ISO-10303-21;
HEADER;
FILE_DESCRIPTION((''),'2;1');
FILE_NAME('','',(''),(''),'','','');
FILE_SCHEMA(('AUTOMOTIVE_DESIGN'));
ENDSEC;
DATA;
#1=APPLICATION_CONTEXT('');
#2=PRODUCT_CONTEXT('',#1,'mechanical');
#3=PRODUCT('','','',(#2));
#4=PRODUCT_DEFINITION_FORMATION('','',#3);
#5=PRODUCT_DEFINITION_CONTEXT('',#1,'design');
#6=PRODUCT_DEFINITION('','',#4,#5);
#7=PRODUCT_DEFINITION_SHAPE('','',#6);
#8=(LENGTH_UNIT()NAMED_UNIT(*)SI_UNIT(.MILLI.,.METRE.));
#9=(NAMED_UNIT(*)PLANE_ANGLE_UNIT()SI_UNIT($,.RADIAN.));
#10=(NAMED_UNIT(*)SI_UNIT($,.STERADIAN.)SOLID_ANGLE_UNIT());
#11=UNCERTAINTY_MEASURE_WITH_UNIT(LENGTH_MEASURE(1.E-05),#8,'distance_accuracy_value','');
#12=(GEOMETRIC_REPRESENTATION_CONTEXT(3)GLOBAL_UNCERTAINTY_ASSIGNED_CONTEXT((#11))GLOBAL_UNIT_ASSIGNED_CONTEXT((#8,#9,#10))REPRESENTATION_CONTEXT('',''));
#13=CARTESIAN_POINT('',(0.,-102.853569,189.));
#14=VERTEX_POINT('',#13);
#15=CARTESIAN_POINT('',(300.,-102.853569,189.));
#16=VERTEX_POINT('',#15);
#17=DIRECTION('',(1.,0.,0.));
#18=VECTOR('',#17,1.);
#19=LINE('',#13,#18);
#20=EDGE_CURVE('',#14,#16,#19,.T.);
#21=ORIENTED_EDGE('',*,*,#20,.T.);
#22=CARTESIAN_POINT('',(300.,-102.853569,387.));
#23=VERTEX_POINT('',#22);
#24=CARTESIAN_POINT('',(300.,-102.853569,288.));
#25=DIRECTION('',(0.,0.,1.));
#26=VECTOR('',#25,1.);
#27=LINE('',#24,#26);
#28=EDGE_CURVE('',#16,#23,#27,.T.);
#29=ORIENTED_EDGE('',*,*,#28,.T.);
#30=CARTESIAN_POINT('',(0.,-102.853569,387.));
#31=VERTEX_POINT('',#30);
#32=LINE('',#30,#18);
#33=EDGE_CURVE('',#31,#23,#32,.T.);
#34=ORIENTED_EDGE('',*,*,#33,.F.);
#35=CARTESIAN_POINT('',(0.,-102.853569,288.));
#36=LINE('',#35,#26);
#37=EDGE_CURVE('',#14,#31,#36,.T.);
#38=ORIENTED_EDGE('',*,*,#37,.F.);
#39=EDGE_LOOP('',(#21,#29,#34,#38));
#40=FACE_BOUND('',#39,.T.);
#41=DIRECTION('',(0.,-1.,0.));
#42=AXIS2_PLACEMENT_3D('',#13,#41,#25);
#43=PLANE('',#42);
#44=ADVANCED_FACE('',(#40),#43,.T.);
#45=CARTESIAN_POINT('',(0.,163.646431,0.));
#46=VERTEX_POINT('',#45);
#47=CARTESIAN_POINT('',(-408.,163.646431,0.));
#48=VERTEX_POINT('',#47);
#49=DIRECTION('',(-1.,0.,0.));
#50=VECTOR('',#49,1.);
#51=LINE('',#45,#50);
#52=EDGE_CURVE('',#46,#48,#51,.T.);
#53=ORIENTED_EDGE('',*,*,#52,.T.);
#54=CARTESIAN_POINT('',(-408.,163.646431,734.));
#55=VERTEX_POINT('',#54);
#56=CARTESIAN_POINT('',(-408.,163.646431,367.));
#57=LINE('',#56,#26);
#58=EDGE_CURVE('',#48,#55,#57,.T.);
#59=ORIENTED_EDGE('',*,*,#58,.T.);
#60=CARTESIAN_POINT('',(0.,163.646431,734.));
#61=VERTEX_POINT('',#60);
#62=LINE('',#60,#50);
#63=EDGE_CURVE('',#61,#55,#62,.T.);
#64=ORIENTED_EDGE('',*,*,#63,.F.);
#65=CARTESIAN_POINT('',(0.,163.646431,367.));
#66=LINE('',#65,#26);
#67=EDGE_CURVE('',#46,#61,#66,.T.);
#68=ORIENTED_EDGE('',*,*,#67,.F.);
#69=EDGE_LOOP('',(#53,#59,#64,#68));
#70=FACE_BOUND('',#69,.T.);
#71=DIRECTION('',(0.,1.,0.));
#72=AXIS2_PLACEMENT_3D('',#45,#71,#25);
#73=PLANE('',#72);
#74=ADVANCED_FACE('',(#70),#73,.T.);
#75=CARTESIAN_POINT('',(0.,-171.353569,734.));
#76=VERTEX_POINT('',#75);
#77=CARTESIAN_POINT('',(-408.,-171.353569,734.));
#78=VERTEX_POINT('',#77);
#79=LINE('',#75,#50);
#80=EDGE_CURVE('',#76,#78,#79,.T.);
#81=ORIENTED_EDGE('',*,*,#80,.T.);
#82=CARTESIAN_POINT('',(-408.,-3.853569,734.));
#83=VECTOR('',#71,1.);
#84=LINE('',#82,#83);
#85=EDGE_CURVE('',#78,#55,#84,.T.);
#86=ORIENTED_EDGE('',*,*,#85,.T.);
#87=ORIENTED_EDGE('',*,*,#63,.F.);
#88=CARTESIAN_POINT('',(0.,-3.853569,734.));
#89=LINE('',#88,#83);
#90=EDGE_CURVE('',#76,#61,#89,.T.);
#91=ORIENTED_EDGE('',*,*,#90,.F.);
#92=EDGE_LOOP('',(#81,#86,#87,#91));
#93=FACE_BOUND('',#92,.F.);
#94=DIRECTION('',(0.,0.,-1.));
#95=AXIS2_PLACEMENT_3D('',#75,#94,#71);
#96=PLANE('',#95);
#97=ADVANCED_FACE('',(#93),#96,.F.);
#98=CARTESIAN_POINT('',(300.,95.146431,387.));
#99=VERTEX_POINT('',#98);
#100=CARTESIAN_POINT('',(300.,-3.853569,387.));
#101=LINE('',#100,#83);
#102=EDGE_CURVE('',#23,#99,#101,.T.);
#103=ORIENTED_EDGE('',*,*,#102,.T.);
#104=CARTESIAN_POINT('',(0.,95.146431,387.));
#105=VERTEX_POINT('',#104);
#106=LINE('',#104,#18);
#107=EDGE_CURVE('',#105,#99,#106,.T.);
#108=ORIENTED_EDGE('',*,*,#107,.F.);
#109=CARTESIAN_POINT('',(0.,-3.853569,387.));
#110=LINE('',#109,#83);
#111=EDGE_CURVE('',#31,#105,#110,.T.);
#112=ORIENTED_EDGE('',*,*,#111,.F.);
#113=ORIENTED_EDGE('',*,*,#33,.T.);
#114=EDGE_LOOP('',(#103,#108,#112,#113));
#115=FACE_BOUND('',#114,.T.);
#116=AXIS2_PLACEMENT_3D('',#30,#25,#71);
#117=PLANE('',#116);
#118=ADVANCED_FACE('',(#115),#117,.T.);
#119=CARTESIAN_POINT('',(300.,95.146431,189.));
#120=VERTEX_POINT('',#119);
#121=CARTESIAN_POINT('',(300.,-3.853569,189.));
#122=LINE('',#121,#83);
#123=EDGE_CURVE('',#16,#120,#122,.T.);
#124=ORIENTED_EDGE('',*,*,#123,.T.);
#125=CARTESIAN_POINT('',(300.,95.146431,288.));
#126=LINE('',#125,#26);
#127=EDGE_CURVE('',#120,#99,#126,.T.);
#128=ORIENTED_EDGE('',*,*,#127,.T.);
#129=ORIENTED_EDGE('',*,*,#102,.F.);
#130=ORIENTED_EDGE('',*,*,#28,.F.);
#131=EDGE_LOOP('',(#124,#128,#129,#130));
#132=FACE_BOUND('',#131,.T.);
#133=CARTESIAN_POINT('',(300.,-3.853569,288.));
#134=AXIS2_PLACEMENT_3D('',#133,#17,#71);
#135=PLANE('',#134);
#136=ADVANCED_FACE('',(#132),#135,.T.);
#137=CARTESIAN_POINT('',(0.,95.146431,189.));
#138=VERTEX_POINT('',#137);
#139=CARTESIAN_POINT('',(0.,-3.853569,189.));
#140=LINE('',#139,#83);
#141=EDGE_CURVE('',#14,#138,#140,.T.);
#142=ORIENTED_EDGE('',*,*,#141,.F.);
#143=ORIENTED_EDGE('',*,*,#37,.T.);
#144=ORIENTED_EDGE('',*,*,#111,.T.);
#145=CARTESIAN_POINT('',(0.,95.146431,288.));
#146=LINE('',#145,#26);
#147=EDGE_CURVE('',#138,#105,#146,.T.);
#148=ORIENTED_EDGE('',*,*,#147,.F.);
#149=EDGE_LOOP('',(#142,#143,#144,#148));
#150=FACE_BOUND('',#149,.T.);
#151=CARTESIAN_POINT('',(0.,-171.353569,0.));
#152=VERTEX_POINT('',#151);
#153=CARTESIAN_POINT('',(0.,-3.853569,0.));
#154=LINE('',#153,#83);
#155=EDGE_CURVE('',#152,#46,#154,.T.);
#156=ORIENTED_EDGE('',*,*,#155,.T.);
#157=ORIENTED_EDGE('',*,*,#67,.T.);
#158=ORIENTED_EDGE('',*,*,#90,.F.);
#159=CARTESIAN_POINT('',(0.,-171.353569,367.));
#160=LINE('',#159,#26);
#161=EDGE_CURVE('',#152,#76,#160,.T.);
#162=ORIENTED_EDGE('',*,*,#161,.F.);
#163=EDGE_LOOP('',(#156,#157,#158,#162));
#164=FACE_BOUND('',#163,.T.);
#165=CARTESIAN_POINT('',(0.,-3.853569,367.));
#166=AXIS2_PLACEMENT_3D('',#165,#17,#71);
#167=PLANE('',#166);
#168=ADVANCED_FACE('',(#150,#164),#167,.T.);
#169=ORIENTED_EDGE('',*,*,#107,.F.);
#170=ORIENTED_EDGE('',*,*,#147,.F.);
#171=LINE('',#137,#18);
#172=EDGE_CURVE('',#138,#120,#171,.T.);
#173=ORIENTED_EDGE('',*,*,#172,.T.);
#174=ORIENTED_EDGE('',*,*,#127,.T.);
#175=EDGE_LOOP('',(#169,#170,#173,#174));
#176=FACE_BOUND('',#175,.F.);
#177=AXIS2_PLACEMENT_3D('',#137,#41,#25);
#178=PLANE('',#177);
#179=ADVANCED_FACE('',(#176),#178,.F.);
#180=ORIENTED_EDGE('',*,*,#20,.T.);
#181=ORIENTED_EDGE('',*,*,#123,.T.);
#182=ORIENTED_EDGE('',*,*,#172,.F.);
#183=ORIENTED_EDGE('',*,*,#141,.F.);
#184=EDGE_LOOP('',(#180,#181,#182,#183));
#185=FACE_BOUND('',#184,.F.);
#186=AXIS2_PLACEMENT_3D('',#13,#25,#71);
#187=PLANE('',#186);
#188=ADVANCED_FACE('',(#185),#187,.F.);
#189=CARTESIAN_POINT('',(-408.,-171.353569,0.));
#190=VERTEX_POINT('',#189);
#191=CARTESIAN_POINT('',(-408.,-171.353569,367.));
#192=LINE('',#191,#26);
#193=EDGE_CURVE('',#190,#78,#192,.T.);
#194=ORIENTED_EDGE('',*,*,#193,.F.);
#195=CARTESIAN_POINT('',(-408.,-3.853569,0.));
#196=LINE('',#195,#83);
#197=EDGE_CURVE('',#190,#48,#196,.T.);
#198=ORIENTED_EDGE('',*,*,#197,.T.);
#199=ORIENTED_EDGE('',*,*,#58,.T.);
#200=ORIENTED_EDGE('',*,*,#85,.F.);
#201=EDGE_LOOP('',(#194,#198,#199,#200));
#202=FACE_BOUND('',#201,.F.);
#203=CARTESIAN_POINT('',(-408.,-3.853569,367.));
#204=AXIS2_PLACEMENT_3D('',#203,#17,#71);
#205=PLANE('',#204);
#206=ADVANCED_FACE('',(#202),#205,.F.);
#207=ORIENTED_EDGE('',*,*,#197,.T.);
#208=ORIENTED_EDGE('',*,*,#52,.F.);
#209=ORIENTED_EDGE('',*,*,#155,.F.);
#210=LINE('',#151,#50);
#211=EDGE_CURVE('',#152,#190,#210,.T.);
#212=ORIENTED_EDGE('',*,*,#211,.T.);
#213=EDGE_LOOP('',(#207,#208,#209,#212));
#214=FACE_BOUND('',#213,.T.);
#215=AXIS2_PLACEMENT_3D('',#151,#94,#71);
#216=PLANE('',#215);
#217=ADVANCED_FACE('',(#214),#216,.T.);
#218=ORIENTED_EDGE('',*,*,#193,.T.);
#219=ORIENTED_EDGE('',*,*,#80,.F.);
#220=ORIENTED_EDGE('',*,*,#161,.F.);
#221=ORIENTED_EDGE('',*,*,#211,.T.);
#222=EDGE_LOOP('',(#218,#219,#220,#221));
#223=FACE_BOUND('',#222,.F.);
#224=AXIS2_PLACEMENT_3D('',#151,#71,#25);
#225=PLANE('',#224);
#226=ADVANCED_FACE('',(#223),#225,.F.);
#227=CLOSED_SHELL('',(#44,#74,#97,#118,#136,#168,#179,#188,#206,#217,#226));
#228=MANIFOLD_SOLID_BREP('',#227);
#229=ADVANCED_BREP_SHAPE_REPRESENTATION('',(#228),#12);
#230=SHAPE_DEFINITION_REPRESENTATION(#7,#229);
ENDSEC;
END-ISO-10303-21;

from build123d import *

# Parameters (mm, degrees)
F0_W     = 335
F0_H     = 734
F1_DEPTH = 408
F2_W     = 198
F2_H     = 198
F3_DEPTH = 300


with BuildPart() as f1:
    # F0 (on Right) → F1 (new body)
    with BuildSketch(Plane.YZ):
        with Locations((-3.853569, 367)):
            Rectangle(F0_W, F0_H)
    extrude(amount=-F1_DEPTH)

    # F2 (on face) → F3 (join)
    with BuildSketch(Plane.YZ):
        with Locations((-3.853569, 288)):
            Rectangle(F2_W, F2_H)
    extrude(amount=F3_DEPTH)


solid = f1.part
